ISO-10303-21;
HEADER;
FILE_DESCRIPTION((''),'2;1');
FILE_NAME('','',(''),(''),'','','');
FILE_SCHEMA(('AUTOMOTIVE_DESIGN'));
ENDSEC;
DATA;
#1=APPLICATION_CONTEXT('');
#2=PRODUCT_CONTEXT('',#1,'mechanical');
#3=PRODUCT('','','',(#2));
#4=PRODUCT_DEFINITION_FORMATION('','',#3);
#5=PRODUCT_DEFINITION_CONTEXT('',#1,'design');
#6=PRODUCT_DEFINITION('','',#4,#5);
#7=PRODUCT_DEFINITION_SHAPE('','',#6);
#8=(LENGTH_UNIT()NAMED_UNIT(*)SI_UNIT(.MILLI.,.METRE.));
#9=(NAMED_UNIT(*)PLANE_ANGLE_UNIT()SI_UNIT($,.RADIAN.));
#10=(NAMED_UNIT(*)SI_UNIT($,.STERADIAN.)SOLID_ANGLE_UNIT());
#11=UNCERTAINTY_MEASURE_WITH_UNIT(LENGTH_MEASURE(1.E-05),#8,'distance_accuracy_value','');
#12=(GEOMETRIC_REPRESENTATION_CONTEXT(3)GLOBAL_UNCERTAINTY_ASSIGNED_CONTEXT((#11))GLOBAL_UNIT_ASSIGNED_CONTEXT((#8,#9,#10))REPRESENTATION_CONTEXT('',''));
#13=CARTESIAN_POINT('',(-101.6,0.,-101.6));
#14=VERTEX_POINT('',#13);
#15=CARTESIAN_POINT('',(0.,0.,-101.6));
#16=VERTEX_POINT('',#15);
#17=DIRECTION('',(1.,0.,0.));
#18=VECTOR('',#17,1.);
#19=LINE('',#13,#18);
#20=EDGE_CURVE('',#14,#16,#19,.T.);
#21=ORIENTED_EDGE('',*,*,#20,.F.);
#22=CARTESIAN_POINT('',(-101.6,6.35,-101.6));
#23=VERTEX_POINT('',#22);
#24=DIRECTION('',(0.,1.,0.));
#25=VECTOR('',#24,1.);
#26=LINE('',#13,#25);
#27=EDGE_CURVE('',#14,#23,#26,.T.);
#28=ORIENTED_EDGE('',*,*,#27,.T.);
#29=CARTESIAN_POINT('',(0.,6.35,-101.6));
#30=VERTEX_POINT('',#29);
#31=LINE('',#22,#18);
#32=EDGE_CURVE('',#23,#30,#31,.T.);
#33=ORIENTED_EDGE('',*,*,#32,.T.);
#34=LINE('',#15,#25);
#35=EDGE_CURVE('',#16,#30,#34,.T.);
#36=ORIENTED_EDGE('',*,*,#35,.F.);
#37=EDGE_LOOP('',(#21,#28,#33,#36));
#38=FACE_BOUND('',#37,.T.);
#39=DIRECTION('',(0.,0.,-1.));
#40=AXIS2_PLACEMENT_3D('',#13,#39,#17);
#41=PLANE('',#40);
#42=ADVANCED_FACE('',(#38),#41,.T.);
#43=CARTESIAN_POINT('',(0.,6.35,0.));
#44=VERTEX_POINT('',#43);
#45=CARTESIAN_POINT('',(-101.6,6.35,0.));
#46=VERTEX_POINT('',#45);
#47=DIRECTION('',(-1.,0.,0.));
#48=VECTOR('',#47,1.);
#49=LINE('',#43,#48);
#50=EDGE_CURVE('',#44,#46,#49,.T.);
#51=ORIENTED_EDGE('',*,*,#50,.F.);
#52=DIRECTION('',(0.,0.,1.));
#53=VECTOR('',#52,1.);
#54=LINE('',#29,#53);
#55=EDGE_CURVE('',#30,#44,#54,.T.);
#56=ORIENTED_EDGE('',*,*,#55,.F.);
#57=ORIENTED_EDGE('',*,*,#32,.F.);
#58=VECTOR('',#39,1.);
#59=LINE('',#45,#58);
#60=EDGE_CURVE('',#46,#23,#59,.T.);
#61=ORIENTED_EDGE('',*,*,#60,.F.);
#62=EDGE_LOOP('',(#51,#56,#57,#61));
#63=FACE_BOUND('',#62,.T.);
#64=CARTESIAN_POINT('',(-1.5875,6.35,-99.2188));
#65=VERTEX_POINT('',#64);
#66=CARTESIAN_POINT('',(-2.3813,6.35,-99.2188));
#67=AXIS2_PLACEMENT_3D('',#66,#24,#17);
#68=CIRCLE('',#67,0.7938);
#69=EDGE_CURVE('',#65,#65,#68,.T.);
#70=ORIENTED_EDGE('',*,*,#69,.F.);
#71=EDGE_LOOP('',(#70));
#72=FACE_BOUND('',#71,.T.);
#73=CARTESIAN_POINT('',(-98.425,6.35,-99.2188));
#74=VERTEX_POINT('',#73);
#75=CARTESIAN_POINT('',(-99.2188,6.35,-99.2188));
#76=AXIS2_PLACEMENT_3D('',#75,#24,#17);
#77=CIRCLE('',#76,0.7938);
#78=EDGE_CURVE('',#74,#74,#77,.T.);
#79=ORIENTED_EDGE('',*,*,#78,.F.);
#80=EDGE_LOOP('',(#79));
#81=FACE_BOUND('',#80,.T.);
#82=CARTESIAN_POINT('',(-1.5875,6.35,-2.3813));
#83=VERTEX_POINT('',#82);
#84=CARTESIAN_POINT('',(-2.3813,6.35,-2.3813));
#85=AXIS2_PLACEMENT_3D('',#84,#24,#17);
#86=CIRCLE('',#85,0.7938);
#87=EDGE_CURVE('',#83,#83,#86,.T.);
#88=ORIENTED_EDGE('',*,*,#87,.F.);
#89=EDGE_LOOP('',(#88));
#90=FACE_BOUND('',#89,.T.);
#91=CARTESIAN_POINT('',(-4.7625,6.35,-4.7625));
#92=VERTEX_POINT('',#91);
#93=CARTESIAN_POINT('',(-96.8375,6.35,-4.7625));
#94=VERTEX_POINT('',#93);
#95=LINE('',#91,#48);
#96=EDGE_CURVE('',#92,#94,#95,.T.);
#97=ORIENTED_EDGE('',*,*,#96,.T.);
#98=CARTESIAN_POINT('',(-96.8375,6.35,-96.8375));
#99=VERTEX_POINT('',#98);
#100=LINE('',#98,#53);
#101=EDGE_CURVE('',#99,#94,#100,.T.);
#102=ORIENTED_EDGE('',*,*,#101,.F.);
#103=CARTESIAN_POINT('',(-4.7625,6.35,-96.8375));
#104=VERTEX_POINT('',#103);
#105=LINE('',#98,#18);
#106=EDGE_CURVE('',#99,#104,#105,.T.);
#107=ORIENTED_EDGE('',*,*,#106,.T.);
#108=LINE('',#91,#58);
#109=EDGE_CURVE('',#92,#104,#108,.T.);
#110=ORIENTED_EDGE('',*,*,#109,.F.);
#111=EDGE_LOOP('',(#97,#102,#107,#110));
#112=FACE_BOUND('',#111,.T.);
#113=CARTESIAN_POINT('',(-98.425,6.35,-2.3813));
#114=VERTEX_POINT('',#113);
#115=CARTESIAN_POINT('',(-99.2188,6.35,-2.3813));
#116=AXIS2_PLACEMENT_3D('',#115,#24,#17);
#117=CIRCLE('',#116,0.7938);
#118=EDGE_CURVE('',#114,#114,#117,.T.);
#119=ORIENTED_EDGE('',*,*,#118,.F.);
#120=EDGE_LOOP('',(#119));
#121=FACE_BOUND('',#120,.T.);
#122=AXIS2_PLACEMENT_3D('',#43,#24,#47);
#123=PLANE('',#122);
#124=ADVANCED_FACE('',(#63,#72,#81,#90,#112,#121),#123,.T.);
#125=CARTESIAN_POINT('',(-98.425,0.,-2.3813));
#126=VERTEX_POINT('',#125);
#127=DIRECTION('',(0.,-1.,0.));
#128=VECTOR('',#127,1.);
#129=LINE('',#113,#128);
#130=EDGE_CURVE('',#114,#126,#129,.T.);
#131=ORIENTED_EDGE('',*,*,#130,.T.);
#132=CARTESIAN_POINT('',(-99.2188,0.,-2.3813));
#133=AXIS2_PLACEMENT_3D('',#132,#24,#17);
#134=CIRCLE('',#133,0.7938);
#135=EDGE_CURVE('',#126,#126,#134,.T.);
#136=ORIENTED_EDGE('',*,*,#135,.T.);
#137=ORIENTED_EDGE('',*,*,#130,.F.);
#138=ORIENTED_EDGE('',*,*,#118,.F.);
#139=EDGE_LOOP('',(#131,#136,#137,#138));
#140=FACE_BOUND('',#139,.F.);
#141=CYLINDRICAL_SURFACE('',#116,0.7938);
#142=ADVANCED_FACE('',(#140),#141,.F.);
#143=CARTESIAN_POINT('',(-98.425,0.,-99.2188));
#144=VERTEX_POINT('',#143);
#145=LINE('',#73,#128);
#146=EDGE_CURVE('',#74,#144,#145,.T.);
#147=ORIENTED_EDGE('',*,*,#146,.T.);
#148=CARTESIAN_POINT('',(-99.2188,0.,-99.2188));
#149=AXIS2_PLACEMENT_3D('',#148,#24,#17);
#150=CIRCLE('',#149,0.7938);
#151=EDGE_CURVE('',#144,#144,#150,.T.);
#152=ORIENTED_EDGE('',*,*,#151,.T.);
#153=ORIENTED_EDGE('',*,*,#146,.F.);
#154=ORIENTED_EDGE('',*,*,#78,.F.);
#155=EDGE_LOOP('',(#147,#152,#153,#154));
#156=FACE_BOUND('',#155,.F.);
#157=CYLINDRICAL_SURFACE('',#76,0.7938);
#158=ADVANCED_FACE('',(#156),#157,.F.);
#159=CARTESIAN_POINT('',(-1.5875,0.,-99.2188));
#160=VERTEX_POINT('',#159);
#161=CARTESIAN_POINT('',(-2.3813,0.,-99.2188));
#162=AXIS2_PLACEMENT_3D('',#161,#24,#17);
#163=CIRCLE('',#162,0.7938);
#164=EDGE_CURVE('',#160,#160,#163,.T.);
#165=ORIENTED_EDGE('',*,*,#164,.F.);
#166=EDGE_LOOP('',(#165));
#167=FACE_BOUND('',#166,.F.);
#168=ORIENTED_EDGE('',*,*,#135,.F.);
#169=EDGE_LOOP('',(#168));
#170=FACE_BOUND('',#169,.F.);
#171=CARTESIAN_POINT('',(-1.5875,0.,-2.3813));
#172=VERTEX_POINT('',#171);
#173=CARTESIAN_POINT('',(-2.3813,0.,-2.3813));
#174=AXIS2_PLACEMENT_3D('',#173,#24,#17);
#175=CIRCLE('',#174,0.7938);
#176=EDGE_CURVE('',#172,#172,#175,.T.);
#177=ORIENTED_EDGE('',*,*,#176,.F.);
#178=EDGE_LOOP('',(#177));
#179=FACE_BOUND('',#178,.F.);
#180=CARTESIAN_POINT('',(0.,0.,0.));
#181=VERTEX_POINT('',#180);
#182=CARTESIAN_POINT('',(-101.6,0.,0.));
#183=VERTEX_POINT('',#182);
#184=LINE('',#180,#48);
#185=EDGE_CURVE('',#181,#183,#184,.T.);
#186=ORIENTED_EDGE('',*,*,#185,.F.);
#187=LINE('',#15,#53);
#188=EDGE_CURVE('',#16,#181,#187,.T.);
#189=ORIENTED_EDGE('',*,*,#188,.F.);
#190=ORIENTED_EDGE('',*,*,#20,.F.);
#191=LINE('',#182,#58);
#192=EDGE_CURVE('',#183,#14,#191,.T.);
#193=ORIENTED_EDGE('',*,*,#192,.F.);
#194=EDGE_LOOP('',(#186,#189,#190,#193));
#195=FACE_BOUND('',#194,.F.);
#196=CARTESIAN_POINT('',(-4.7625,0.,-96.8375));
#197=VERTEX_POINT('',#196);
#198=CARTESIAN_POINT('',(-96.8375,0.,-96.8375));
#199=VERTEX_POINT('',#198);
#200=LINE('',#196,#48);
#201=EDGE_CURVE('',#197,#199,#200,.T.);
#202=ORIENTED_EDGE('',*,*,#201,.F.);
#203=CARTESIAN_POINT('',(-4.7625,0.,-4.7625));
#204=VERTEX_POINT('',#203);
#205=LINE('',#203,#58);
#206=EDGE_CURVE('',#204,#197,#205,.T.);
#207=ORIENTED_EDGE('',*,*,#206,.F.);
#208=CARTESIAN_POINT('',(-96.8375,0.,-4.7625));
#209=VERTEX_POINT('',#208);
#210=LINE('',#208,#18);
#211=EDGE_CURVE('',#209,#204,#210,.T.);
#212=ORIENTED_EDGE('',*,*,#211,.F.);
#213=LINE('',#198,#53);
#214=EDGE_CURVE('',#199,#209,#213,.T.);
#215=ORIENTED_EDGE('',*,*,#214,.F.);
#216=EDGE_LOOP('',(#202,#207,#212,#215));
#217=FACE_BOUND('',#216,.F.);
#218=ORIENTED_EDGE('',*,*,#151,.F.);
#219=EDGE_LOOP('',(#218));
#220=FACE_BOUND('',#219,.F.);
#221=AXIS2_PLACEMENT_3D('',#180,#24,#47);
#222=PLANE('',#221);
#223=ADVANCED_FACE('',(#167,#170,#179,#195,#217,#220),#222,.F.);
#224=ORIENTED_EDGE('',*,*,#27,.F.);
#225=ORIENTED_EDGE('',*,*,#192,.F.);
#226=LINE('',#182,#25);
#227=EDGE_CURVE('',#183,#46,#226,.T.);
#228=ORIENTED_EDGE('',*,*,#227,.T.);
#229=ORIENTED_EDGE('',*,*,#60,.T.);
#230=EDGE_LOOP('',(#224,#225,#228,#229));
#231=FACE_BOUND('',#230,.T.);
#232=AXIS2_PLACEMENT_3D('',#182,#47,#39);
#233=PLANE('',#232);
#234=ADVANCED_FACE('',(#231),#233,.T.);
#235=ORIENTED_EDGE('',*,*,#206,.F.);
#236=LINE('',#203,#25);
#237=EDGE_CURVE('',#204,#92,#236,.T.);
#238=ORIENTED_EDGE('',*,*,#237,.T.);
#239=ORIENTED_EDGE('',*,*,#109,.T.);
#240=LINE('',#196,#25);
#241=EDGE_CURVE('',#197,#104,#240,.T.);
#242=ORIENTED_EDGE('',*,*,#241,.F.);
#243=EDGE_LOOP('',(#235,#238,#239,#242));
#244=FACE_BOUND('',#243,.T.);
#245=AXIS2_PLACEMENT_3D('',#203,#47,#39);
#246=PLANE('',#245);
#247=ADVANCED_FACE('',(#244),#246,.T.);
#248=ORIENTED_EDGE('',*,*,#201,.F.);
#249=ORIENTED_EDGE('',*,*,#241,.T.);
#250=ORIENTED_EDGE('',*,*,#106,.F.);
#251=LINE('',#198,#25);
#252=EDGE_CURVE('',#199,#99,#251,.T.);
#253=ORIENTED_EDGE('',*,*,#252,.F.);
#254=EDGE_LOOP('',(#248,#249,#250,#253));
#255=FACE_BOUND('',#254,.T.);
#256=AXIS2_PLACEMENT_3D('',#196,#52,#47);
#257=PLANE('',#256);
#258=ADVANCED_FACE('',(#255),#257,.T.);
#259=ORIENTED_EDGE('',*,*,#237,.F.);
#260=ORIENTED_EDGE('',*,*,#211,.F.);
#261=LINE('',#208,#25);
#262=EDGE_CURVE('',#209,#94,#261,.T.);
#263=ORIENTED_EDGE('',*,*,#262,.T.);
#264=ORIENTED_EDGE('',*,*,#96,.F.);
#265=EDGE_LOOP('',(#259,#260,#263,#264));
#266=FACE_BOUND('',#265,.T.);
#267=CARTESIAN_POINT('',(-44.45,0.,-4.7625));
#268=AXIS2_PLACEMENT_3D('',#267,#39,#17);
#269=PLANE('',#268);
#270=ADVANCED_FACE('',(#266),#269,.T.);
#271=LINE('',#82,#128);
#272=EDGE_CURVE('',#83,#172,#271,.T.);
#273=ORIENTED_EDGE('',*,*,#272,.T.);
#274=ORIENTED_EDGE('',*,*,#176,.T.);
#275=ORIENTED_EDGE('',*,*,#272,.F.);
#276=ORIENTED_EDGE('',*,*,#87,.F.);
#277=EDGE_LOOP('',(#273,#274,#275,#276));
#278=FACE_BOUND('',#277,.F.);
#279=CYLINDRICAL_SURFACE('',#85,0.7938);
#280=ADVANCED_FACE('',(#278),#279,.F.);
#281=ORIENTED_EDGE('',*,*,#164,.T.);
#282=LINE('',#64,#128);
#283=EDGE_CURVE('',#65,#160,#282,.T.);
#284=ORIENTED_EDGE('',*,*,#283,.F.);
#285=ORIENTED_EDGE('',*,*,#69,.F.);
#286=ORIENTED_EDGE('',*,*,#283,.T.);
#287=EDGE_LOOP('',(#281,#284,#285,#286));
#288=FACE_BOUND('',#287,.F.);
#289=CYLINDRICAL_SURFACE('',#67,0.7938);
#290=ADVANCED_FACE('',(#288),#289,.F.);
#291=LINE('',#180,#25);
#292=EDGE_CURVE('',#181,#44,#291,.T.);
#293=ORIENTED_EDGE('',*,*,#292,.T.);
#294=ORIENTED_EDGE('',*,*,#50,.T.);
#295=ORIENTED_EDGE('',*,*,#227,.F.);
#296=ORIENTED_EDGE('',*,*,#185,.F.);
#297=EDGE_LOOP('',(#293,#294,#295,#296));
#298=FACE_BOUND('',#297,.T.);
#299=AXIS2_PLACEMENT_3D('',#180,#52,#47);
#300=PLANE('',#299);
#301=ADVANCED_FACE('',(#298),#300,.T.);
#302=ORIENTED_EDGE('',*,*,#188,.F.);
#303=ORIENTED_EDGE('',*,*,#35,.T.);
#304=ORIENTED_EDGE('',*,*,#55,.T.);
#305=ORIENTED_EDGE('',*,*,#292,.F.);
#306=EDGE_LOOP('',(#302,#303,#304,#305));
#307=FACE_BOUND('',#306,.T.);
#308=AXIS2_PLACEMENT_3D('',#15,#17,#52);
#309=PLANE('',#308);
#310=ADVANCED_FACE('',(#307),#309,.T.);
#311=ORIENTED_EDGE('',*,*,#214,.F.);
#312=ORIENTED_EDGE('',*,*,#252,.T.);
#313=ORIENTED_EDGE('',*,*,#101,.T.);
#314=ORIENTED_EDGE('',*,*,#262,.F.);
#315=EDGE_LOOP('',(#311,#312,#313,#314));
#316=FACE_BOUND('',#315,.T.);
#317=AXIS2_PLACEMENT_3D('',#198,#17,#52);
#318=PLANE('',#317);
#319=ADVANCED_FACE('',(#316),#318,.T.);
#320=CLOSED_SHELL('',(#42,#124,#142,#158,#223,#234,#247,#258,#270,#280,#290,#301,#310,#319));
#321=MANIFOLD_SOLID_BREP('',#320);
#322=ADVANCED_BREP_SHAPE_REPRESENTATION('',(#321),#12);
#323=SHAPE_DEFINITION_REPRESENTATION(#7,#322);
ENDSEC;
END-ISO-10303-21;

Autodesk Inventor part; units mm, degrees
ref_plane "YZ Plane" through (0, 0, 0) normal (1, 0, 0) x (0, 1, 0)
ref_plane "XZ Plane" through (0, 0, 0) normal (0, 1, 0) x (-1, 0, 0)
ref_plane "XY Plane" through (0, 0, 0) normal (0, 0, 1) x (1, 0, 0)
sketch "Sketch1" plane through (0, 0, 0) normal (0, 1, 0) x (-1, 0, 0)
  line L0 (0, 0) -> (101.6, 0)
  line L1 (101.6, 0) -> (101.6, -101.6)
  line L2 (101.6, -101.6) -> (0, -101.6)
  line L3 (0, -101.6) -> (0, 0)
  line L4 (4.7625, -96.8375) -> (96.8375, -96.8375)
  line L5 (96.8375, -96.8375) -> (96.8375, -4.7625)
  line L6 (96.8375, -4.7625) -> (4.7625, -4.7625)
  line L7 (4.7625, -4.7625) -> (4.7625, -96.8375)
  line L8 (57.15, -4.7625) -> (44.45, -4.7625)
  line L9 (44.45, -4.7625) -> (44.45, -34.1313)
  line L10 (44.45, -34.1313) -> (57.15, -34.1313)
  line L11 (57.15, -34.1313) -> (57.15, -4.7625)
  line L12 (57.15, -96.8375) -> (44.45, -96.8375)
  line L13 (44.45, -96.8375) -> (44.45, -57.15)
  line L14 (44.45, -57.15) -> (57.15, -57.15)
  line L15 (57.15, -57.15) -> (57.15, -96.8375)
  line L16 (57.15, -34.1312) -> (44.45, -34.1312)
  line L17 (44.45, -34.1312) -> (44.45, -57.15) construction
  line L18 (44.45, -57.15) -> (57.15, -57.15)
  line L19 (57.15, -57.15) -> (57.15, -34.1312) construction
  point P0 (50.8, -50.8)
  point P1 (0, -50.8)
  point P2 (50.8, 0)
  point P3 (50.8, -4.7625)
  point P4 (50.8, -4.7625)
  point P5 (50.8, -96.8375)
  point P6 (50.8, -96.8375)
  point P7 (50.8, -34.1312)
  point P8 (50.8, -34.1313)
  point P9 (50.8, -50.8)
  point P10 (50.8, -57.15)
  dimension "d0" = 101.6
  dimension "d1" = 101.6
  dimension "d2" = 4.7625
  dimension "d13" = 12.7
  dimension "d14" = 39.6875
  dimension "d15" = 29.3687
  dimension "d16" = 12.7
  dimension "d17" = 23.0188
  dimension "d18" = 6.35
extrude "Extrusion1" add sketch "Sketch1" along normal blind 6.35
sketch "Sketch2" plane through (0, 6.35, 0) normal (0, 1, 0) x (1, 0, 0)
  line L0 (0, 101.6) -> (-101.6, 101.6) projected
  line L1 (-101.6, 101.6) -> (-101.6, 0) projected
  line L2 (-101.6, 0) -> (0, 0) projected
  line L3 (0, 0) -> (0, 101.6) projected
  circle A0 centre (-99.2188, 99.2188) radius 0.7938
  circle A1 centre (-99.2188, 2.3813) radius 0.7938
  circle A2 centre (-2.3813, 99.2188) radius 0.7938
  circle A3 centre (-2.3813, 2.3813) radius 0.7938
  dimension "d20" = 1.5875
  dimension "d21" = 2.3813
  dimension "d22" = 2.3813
  dimension "d25" = 96.8375
  dimension "d28" = 96.8375
extrude "Extrusion2" cut sketch "Sketch2" against normal blind 6.35 contours A0 | A1 | A2 | A3
sketch "Sketch3" plane through (0, 6.35, 0) normal (0, 1, 0) x (1, 0, 0)
  circle A0 centre (-99.2188, 99.2188) radius 0.7938 projected
  circle A1 centre (-99.2188, 2.3813) radius 0.7938 projected
  circle A2 centre (-2.3813, 99.2188) radius 0.7938 projected
  circle A3 centre (-2.3813, 2.3813) radius 0.7938 projected
  line L0 (0, 101.6) -> (-101.6, 101.6) projected
  line L1 (-101.6, 101.6) -> (-101.6, 0) projected
  line L2 (-101.6, 0) -> (0, 0) projected
  line L3 (0, 0) -> (0, 101.6) projected
  line L4 (-96.8375, 4.7625) -> (-96.8375, 96.8375) projected
  line L5 (-96.8375, 96.8375) -> (-4.7625, 96.8375) projected
  line L6 (-4.7625, 96.8375) -> (-4.7625, 4.7625) projected
  line L7 (-4.7625, 4.7625) -> (-96.8375, 4.7625) projected
properties part number "Layer 4"
